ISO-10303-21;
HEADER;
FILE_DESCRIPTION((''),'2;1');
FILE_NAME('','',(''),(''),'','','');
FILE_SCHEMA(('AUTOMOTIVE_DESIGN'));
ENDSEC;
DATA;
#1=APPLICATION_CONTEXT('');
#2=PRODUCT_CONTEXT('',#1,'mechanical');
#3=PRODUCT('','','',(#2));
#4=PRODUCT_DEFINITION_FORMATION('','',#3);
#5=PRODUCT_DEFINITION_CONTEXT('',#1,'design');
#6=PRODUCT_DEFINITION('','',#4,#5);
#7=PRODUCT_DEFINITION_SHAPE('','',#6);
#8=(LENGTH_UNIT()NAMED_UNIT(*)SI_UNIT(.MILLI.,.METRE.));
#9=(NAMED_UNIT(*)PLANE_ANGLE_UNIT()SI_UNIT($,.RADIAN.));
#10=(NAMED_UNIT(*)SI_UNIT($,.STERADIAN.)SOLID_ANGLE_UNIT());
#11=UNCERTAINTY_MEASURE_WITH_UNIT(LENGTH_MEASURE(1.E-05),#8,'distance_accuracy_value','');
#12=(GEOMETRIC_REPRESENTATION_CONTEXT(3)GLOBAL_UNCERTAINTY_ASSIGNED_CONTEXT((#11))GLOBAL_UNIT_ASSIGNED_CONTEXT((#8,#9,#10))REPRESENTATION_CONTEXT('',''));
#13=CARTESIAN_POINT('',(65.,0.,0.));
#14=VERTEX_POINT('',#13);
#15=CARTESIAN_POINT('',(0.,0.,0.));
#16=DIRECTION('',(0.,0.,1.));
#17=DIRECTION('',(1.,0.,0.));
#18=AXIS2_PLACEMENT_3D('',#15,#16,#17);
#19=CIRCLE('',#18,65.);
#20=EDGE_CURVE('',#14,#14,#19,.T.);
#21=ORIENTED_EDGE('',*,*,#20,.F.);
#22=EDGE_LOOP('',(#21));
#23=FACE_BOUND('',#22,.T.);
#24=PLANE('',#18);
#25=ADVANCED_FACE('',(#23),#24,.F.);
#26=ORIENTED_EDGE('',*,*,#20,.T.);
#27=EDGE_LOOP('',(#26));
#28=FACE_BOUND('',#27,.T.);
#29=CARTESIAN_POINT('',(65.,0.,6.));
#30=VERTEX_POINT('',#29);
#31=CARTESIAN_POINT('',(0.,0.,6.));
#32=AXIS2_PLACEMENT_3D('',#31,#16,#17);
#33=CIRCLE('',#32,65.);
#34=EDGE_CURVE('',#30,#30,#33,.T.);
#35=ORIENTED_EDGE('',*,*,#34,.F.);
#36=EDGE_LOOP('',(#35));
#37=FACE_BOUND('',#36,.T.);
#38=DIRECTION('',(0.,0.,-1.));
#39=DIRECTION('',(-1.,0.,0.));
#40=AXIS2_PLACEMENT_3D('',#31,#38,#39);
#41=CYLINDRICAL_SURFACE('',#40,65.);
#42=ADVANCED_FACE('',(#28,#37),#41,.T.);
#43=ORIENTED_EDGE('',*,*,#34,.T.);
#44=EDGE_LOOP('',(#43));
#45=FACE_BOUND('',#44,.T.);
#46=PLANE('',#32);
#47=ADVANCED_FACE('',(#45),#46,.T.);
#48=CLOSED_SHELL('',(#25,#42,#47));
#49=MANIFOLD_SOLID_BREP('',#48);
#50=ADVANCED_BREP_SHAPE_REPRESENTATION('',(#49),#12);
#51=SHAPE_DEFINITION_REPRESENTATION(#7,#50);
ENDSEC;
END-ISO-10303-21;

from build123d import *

# Parameters (mm, degrees)
SKETCH1_R           = 65
BOSS_EXTRUDE1_DEPTH = 6


with BuildPart() as part:
    # Sketch1 → Boss-Extrude1 (new body)
    with BuildSketch(Plane.XY):
        Circle(SKETCH1_R)
    extrude(amount=BOSS_EXTRUDE1_DEPTH)


solid = part.part
